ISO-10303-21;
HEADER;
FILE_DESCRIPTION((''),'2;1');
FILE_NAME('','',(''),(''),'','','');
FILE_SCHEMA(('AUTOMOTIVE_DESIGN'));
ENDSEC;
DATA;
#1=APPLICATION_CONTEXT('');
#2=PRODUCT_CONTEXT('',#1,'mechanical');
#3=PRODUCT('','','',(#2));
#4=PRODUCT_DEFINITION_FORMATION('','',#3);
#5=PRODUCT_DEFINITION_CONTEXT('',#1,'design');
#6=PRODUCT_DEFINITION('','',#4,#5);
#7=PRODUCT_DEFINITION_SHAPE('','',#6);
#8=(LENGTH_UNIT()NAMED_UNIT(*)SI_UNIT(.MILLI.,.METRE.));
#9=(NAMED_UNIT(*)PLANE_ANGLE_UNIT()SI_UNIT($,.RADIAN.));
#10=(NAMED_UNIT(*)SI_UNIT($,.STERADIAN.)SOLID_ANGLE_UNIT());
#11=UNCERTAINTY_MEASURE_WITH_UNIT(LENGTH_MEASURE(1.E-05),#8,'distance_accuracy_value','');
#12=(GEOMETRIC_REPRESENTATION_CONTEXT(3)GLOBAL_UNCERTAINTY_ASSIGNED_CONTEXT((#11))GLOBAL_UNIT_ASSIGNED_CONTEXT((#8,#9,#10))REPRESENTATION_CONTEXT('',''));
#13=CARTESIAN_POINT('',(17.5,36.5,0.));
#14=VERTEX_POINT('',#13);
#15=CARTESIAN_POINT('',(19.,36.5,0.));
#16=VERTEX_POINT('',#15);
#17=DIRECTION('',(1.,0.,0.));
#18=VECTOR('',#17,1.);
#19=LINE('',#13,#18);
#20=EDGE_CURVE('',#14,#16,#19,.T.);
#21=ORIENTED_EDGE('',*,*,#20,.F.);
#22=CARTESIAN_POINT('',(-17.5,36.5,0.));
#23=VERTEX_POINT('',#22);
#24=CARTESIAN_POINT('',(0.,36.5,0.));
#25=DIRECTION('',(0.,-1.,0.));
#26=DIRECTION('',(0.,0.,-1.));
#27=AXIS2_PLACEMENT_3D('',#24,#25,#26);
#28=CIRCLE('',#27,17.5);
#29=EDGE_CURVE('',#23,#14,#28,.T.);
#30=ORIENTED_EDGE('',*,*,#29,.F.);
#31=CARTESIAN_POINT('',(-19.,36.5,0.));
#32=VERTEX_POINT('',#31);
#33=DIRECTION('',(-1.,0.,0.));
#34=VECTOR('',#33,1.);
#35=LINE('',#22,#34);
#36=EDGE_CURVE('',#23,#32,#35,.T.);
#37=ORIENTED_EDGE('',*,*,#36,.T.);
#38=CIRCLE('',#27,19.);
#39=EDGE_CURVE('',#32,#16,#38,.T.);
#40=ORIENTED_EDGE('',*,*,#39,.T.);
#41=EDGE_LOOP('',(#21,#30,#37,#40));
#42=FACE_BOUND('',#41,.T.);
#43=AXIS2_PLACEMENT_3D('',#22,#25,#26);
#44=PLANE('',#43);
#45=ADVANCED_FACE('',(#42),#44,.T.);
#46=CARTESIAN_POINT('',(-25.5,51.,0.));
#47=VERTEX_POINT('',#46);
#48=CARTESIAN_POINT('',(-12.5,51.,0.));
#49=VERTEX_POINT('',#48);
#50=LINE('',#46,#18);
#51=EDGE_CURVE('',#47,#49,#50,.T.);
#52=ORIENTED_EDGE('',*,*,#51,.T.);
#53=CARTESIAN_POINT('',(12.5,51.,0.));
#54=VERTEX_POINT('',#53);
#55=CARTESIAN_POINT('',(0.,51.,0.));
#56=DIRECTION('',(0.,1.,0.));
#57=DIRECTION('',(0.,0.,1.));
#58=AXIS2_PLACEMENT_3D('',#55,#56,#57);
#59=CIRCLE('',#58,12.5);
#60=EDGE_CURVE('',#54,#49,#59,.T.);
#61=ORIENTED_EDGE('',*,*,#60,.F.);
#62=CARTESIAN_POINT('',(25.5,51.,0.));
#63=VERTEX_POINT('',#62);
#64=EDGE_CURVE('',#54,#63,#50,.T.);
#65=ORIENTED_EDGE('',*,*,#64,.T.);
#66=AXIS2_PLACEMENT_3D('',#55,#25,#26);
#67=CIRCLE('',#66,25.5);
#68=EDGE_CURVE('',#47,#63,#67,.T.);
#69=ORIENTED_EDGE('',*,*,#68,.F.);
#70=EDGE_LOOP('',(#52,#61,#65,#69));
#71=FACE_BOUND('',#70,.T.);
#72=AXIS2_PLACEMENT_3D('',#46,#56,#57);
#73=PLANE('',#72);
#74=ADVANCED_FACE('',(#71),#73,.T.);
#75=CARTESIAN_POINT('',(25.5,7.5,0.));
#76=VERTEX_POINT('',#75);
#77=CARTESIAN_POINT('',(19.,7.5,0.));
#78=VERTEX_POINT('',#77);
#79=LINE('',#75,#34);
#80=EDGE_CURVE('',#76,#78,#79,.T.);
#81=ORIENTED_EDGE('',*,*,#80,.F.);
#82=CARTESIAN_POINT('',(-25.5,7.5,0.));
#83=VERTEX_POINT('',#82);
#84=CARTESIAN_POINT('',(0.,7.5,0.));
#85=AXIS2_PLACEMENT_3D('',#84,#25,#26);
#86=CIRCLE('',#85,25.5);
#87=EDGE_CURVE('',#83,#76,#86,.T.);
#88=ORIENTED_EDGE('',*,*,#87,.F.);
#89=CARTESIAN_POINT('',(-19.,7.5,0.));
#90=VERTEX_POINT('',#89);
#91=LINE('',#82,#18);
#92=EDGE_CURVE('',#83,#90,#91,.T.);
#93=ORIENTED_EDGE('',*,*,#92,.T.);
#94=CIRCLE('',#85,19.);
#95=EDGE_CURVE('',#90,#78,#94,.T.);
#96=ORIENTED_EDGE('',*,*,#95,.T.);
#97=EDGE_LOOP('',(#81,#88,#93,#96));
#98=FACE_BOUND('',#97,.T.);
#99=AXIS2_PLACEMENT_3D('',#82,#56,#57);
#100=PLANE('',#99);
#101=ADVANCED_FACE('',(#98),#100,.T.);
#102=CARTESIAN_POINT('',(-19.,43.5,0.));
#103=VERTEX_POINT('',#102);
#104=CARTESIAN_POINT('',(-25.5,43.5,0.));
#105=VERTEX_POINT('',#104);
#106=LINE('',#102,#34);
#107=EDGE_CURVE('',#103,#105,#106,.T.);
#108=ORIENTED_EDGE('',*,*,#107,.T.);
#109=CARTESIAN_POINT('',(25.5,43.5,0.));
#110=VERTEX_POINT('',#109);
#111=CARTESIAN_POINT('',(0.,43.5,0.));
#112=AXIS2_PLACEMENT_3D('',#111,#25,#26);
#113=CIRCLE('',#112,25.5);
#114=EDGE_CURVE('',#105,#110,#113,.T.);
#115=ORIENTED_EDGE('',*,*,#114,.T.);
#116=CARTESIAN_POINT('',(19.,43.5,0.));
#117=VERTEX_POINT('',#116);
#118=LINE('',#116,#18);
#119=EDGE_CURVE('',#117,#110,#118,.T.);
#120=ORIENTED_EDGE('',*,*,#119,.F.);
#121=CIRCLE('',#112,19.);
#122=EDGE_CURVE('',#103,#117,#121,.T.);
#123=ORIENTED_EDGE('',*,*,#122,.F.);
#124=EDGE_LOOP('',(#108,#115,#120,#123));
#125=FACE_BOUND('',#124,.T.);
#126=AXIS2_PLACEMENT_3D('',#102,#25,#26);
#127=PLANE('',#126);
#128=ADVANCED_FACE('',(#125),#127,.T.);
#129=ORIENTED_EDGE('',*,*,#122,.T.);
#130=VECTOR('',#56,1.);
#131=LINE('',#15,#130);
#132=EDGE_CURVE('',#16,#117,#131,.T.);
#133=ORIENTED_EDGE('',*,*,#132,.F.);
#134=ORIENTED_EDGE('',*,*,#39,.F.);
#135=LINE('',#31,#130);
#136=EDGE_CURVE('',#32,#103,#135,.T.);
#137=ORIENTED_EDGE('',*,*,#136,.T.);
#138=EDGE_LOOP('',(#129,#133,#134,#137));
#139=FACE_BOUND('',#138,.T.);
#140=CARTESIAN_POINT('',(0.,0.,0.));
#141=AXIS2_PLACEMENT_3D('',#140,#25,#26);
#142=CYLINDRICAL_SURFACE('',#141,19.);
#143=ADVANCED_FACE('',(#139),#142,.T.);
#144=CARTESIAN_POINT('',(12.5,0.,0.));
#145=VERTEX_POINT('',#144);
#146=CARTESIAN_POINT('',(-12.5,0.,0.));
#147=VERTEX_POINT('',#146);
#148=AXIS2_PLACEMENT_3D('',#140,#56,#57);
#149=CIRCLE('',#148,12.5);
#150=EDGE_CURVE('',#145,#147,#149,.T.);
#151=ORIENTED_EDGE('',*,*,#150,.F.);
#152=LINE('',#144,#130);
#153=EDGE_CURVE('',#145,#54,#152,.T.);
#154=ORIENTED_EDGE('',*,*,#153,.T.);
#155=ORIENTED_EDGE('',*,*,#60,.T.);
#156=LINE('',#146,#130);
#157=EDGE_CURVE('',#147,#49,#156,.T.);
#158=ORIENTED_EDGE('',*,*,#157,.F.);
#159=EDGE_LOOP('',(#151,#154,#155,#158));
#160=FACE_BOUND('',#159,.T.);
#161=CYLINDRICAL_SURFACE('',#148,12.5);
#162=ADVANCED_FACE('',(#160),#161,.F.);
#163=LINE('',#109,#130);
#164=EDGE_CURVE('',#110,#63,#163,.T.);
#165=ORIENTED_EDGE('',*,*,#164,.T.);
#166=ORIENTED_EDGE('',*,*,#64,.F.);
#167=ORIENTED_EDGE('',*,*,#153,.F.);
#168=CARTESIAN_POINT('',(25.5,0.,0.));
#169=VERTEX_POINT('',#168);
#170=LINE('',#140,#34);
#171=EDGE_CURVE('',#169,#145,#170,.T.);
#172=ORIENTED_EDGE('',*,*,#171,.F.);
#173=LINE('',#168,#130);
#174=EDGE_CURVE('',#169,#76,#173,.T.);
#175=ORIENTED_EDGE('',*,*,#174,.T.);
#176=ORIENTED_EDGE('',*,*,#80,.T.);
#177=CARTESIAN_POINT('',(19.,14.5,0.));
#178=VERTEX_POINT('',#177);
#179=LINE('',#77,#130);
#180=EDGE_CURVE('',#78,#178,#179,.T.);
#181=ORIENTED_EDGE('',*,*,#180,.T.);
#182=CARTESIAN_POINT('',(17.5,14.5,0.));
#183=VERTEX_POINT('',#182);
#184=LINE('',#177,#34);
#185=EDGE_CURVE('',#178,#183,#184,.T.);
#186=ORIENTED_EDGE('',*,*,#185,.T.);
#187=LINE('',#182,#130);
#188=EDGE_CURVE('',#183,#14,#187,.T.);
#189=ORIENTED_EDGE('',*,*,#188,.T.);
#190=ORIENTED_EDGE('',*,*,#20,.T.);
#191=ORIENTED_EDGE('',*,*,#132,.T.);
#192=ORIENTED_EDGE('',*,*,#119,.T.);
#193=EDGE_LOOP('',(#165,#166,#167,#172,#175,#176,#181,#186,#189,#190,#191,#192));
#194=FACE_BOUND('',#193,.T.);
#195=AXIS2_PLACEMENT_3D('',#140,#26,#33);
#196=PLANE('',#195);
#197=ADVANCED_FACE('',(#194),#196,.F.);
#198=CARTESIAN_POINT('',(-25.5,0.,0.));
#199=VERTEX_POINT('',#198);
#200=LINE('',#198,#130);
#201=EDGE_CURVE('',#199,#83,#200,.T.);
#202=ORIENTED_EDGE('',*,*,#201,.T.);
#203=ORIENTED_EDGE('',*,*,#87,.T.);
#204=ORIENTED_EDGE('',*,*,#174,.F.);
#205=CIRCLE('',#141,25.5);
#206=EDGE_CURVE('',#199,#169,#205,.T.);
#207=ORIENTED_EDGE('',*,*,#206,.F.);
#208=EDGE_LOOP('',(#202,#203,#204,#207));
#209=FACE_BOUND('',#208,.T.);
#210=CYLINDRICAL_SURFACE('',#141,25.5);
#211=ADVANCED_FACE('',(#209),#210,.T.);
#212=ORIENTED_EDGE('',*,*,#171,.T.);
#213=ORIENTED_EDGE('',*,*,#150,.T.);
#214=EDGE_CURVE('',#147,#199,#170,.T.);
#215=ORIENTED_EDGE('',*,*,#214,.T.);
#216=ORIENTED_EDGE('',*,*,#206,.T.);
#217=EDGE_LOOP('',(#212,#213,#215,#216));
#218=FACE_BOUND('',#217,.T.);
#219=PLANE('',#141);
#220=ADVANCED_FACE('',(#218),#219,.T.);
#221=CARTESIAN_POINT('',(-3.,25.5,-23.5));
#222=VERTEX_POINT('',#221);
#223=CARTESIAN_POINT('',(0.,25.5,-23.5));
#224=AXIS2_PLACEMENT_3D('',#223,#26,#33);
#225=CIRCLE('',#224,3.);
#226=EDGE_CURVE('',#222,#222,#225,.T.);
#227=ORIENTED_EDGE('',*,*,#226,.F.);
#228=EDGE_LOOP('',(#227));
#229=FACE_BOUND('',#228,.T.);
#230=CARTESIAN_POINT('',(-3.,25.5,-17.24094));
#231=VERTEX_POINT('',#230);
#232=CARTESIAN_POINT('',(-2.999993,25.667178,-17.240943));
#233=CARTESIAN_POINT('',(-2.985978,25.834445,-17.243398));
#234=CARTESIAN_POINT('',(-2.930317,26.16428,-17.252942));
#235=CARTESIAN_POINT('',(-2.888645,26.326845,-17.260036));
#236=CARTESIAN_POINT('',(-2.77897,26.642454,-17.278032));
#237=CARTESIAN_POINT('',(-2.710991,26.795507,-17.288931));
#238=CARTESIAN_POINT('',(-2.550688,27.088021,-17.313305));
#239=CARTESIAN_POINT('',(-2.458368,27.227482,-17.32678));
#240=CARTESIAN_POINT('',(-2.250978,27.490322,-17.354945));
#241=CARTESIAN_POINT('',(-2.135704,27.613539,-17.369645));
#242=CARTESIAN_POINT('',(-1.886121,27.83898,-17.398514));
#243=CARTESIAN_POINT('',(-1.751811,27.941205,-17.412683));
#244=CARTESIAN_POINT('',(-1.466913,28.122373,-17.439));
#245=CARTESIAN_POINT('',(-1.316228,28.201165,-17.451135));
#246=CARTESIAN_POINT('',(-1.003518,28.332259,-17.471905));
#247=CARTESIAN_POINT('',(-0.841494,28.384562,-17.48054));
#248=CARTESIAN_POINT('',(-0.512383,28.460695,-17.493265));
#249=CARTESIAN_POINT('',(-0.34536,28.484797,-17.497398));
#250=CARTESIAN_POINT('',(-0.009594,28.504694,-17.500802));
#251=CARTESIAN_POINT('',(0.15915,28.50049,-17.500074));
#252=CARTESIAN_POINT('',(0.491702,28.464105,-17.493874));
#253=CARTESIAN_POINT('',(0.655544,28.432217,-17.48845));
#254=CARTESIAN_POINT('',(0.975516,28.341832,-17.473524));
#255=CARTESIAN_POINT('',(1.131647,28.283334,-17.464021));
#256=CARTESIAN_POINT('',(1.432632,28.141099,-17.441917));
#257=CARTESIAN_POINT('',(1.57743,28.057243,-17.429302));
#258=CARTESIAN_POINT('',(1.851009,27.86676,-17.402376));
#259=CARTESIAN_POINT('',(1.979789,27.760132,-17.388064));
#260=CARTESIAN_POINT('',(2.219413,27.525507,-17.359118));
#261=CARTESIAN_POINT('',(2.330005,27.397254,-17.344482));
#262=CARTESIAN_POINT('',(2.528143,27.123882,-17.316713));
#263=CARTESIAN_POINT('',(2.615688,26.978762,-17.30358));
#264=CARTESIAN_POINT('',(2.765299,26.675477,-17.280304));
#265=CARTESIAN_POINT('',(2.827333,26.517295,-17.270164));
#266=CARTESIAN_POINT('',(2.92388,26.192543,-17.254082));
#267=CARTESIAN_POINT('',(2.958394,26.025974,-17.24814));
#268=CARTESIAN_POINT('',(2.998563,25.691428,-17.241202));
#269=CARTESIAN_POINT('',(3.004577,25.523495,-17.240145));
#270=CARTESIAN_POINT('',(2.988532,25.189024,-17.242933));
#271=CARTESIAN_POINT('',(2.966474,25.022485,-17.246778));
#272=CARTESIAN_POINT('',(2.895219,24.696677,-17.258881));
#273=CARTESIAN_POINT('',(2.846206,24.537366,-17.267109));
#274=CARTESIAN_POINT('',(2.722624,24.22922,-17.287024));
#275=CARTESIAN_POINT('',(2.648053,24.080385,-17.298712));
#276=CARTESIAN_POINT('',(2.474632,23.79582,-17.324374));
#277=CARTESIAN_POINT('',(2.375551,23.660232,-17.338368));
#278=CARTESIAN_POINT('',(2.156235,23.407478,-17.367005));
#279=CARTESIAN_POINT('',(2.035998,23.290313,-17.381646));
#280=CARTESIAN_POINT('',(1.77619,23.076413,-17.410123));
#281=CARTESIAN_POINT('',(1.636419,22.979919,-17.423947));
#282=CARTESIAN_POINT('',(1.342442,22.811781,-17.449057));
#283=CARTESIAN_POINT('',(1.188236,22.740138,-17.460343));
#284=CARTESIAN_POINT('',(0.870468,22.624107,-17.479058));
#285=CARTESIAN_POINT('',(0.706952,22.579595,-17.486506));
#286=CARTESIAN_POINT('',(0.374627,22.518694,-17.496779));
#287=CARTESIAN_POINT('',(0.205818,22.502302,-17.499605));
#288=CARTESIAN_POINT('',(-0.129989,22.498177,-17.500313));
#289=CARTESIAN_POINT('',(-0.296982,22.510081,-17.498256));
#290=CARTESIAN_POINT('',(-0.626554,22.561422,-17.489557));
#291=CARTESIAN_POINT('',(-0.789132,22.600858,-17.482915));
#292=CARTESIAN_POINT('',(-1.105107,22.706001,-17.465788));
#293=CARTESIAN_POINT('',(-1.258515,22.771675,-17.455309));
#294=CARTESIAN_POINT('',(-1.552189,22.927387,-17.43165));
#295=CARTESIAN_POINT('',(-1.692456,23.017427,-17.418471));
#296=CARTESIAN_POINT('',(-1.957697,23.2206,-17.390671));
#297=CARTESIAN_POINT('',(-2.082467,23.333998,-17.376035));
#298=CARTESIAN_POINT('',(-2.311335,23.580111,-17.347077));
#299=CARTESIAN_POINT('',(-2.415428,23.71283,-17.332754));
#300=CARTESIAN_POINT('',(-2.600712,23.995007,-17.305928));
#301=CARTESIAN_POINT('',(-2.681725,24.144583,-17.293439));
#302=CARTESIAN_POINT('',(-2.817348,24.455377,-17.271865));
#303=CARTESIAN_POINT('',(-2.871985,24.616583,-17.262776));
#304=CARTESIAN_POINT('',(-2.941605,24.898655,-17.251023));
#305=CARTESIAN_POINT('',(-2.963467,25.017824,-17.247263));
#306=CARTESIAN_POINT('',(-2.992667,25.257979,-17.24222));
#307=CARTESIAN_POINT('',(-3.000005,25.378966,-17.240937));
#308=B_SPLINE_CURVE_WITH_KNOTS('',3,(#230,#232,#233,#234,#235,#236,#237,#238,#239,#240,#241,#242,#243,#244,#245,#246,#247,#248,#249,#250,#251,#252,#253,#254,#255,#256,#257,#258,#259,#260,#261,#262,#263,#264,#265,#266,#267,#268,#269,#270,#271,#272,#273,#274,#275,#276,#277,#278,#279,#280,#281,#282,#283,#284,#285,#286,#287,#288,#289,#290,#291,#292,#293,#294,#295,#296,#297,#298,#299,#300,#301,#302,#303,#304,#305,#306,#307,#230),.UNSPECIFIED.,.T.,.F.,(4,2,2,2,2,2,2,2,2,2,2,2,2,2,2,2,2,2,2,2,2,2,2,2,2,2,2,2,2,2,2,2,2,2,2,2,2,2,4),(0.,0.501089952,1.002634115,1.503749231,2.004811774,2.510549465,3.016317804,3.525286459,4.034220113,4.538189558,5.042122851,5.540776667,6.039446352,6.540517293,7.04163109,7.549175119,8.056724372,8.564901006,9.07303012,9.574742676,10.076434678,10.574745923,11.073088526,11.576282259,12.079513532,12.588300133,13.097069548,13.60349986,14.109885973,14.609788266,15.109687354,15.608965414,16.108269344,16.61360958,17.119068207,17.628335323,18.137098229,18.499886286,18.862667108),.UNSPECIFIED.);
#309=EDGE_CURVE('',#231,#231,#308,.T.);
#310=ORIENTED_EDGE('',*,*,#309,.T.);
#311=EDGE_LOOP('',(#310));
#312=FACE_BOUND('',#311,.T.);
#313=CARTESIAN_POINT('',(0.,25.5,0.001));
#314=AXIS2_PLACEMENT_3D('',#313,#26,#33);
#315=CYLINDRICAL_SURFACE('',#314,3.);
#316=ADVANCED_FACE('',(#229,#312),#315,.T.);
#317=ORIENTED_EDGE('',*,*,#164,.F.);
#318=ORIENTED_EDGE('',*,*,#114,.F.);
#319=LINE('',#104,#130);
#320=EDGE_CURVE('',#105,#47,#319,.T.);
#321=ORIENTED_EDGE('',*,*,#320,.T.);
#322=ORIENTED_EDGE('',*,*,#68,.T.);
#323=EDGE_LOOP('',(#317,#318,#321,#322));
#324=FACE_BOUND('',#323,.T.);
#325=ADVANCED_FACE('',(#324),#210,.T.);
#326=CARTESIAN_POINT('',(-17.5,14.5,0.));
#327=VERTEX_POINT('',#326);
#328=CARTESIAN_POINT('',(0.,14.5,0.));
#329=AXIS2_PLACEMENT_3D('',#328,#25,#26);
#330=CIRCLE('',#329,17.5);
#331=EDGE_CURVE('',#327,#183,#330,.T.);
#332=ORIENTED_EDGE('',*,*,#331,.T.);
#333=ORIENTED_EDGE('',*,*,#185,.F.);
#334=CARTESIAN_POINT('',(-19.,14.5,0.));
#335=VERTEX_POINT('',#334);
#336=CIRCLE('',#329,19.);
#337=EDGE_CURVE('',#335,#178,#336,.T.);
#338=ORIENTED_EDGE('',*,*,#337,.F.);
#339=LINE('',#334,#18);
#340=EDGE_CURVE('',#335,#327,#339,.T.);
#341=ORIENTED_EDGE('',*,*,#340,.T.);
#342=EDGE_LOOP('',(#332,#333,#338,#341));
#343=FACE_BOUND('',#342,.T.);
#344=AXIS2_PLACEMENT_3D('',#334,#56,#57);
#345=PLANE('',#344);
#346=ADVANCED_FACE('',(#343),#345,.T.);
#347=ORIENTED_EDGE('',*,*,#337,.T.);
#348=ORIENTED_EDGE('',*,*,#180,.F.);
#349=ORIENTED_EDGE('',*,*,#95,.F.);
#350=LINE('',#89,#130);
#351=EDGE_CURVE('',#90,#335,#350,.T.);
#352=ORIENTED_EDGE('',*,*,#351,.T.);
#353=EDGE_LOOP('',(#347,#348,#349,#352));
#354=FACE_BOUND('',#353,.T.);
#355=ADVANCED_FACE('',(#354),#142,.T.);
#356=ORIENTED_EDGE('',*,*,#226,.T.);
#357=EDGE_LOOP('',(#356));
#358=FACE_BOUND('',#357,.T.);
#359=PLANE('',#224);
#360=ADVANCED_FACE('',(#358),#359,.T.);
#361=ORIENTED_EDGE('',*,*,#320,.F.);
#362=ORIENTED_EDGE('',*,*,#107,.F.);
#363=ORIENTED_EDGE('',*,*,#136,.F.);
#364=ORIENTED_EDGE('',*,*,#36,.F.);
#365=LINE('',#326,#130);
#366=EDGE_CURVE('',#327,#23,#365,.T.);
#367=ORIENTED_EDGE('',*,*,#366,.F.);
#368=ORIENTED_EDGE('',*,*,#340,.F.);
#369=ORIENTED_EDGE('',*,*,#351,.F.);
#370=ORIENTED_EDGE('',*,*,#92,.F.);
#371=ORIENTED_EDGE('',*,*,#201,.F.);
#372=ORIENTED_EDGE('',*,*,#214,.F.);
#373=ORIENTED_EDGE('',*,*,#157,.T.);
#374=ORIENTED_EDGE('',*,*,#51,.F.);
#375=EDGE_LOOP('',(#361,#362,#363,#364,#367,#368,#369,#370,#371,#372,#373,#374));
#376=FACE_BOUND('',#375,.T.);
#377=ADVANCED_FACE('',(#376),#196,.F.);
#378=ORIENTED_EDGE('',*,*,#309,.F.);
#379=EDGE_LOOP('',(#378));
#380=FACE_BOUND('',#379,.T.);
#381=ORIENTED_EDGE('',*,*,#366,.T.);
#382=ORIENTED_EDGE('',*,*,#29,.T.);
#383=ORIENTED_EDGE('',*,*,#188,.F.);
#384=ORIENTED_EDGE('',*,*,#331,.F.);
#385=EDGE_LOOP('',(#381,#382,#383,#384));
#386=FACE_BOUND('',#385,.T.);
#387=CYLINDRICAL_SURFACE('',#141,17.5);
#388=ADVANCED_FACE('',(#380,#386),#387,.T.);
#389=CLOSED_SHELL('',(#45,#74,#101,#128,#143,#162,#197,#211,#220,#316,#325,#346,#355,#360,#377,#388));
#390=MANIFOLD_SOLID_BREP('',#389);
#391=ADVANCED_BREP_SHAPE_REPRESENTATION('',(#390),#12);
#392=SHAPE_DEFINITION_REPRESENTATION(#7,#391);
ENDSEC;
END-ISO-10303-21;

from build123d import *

# Parameters (mm, degrees)
REVOLVE1_ANGLE           = 180
CUT_EXTRUDE1_DEPTH       = 52
BOSS_EXTRUDE1_REACH      = 25.5
BOSS_EXTRUDE1_END_RADIUS = 17.5
SKETCH7_R                = 3


with BuildPart() as part:
    # Sketch3 → Revolve1 (revolve)
    with BuildSketch(Plane.XY):
        Polygon((0, 0), (25.5, 0), (25.5, 7.5), (19, 7.5), (19, 14.5), (17.5, 14.5), (17.5, 36.5), (19, 36.5), (19, 43.5), (25.5, 43.5), (25.5, 51), (0, 51), align=None)
    revolve(axis=Axis((0, 0, 0), (0, 1, 0)), revolution_arc=REVOLVE1_ANGLE)

    # Sketch4 → Cut-Extrude1 (cut, through all)
    with BuildSketch(Plane(origin=(0, 51, 0), x_dir=(1, 0, 0), z_dir=(0, 1, 0))):
        with BuildLine():
            Line((-12.5, 0), (12.5, 0))
            ThreePointArc((12.5, 0), (0, 12.5), (-12.5, 0))
        make_face()
    extrude(amount=-CUT_EXTRUDE1_DEPTH, mode=Mode.SUBTRACT)

    # Boss-Extrude1: up to this cylinder (the profile starts outside it)
    boss_extrude1_end = Plane(origin=(0, 25.5, 0), z_dir=(0, -1, 0)) * Cylinder(BOSS_EXTRUDE1_END_RADIUS, 87, mode=Mode.PRIVATE)
    # Sketch7 → Boss-Extrude1 (add, up to the surface)
    with BuildSketch(Plane(origin=(0, 0, -23.5), x_dir=(-1, 0, 0), z_dir=(0, 0, -1)), mode=Mode.PRIVATE) as boss_extrude1_sk1:
        with Locations((0, 25.5)):
            Circle(SKETCH7_R)
    boss_extrude1_tool1 = extrude(boss_extrude1_sk1.sketch, amount=-BOSS_EXTRUDE1_REACH, mode=Mode.PRIVATE) - boss_extrude1_end
    add(boss_extrude1_tool1.solids().sort_by_distance((0, 25.5, -23.5))[0])


solid = part.part
